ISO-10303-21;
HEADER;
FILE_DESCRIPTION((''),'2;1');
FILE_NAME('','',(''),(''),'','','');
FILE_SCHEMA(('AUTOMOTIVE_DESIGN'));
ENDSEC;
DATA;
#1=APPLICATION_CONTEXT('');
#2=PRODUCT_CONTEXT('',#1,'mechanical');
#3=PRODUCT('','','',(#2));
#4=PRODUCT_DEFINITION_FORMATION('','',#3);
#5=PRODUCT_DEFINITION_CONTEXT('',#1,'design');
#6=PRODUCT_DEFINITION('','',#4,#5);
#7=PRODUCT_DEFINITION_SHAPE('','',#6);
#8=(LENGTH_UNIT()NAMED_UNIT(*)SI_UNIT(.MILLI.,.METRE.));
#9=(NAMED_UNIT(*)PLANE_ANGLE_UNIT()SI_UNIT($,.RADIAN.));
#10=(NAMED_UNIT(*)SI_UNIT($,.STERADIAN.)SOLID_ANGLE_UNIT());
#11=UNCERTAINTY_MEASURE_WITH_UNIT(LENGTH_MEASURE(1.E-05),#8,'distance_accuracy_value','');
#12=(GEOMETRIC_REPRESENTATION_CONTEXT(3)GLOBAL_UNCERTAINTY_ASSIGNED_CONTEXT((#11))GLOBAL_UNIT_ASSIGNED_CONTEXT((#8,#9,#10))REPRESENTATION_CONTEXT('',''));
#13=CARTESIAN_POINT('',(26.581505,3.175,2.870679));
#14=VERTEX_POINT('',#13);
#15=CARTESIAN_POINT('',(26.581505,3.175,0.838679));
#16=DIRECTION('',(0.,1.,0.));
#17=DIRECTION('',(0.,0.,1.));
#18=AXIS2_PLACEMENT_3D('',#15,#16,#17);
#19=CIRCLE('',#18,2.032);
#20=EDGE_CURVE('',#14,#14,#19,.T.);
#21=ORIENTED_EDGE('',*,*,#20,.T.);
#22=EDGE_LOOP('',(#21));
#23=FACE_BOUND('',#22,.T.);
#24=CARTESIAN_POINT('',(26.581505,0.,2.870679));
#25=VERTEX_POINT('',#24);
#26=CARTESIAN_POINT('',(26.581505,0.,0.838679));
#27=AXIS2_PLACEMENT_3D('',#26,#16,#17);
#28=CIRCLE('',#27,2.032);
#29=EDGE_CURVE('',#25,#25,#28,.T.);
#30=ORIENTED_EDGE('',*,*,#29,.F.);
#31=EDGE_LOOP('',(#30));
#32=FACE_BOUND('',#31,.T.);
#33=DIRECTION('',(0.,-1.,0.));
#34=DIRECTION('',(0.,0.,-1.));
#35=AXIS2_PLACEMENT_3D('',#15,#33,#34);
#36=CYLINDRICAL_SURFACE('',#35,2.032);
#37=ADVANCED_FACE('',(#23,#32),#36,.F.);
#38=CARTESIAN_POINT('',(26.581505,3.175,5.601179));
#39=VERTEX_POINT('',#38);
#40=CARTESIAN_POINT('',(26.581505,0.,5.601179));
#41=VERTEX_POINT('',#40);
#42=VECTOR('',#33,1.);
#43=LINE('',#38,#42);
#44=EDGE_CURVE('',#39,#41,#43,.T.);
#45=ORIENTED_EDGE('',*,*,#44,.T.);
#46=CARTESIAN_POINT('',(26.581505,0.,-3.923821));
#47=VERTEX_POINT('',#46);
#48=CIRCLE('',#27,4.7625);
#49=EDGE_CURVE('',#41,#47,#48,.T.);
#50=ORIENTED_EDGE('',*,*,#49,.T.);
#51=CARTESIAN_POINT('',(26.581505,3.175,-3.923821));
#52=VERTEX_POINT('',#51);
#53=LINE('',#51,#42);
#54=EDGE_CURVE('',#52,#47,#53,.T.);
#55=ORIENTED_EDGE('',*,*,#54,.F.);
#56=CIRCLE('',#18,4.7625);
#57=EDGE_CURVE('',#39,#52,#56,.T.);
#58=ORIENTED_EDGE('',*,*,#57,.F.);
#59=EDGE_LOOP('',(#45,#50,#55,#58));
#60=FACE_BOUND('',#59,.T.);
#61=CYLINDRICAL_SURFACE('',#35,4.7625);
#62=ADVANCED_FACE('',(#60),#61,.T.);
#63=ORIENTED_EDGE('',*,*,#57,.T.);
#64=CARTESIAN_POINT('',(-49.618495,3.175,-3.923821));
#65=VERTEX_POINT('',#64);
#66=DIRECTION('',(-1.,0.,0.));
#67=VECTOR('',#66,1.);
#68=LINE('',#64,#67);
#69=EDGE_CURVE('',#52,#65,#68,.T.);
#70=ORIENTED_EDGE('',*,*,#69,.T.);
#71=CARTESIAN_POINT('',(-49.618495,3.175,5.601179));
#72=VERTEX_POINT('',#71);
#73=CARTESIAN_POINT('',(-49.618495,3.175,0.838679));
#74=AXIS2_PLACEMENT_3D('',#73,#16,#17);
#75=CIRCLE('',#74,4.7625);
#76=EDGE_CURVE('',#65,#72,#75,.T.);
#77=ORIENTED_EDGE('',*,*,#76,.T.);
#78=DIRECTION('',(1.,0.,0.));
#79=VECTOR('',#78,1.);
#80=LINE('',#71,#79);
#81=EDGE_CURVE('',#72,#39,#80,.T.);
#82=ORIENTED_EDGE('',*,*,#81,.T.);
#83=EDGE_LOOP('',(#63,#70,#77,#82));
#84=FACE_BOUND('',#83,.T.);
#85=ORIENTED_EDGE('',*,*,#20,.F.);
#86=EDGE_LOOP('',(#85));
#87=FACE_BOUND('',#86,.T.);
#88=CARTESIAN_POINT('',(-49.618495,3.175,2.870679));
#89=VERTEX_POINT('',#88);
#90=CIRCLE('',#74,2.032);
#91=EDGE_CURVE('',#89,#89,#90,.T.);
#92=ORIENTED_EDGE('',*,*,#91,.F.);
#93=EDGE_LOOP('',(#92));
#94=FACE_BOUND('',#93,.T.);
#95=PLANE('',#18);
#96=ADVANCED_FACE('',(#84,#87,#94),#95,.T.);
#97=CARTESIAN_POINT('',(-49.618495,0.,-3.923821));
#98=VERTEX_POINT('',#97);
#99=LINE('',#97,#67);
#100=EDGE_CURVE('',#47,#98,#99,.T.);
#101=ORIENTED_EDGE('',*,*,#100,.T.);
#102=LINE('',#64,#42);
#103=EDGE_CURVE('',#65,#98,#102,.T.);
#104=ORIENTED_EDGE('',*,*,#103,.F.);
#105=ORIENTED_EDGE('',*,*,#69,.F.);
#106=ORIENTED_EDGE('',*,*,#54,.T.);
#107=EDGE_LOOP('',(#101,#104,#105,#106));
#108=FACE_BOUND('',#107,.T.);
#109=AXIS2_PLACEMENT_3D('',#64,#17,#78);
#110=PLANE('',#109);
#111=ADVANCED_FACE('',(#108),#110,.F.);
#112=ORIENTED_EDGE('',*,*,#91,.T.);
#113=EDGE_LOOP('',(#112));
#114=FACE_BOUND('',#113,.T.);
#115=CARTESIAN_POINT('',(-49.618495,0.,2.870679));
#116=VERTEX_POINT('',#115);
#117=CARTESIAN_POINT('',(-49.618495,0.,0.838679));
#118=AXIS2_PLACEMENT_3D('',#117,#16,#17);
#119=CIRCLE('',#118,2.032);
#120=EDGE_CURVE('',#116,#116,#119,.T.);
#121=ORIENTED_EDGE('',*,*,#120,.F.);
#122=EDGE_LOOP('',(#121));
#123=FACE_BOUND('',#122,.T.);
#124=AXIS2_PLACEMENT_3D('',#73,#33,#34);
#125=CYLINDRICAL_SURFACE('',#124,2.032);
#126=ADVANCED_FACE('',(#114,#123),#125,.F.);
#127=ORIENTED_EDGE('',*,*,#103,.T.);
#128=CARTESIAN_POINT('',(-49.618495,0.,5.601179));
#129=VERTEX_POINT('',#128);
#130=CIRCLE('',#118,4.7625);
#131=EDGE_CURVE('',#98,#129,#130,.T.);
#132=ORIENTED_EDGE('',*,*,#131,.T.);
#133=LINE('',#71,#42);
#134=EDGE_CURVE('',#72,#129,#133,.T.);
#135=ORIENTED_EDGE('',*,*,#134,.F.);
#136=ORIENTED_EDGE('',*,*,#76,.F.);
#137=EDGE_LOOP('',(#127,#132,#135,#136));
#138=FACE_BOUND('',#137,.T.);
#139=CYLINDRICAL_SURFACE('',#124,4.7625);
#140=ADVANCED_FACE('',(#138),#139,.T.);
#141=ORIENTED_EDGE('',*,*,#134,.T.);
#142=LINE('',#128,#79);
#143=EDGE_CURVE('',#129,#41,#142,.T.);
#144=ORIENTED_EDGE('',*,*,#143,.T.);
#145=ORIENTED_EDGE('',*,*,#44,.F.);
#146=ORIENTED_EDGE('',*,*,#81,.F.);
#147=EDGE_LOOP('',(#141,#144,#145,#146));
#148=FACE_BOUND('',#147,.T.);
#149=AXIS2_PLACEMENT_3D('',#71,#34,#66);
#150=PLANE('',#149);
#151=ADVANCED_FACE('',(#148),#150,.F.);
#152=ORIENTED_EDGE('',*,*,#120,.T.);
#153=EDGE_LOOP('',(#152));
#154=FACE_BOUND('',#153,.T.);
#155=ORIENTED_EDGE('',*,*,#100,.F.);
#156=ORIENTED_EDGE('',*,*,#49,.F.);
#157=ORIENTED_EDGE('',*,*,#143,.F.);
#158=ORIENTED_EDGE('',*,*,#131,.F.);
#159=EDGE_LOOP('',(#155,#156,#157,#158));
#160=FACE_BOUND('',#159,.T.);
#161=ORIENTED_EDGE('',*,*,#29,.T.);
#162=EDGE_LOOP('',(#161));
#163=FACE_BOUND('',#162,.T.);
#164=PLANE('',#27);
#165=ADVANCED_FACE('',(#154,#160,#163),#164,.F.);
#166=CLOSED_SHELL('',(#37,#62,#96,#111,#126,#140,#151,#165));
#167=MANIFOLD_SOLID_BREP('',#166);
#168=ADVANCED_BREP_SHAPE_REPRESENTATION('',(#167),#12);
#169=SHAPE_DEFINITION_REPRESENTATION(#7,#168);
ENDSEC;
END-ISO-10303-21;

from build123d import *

# Parameters (mm, degrees)
SKETCH1_R      = 2.032
EXTRUDE1_DEPTH = 3.175


with BuildPart() as part:
    # Sketch1 → Extrude1 (new body)
    with BuildSketch(Plane(origin=(0, 0, 0), x_dir=(1, 0, 0), z_dir=(0, 1, 0))):
        with BuildLine():
            Line((-49.618495469, -5.601179245), (26.581504531, -5.601179245))
            ThreePointArc((26.581504531, -5.601179245), (31.344004531, -0.838679245), (26.581504531, 3.923820755))
            Line((26.581504531, 3.923820755), (-49.618495469, 3.923820755))
            ThreePointArc((-49.618495469, 3.923820755), (-54.380995469, -0.838679245), (-49.618495469, -5.601179245))
        make_face()
        with Locations(Location((-49.618495469, -0.838679245, 0), (0, 0, 270))):
            Circle(SKETCH1_R, mode=Mode.SUBTRACT)
        with Locations(Location((26.581504531, -0.838679245, 0), (0, 0, 270))):
            Circle(SKETCH1_R, mode=Mode.SUBTRACT)
    extrude(amount=EXTRUDE1_DEPTH)


solid = part.part
